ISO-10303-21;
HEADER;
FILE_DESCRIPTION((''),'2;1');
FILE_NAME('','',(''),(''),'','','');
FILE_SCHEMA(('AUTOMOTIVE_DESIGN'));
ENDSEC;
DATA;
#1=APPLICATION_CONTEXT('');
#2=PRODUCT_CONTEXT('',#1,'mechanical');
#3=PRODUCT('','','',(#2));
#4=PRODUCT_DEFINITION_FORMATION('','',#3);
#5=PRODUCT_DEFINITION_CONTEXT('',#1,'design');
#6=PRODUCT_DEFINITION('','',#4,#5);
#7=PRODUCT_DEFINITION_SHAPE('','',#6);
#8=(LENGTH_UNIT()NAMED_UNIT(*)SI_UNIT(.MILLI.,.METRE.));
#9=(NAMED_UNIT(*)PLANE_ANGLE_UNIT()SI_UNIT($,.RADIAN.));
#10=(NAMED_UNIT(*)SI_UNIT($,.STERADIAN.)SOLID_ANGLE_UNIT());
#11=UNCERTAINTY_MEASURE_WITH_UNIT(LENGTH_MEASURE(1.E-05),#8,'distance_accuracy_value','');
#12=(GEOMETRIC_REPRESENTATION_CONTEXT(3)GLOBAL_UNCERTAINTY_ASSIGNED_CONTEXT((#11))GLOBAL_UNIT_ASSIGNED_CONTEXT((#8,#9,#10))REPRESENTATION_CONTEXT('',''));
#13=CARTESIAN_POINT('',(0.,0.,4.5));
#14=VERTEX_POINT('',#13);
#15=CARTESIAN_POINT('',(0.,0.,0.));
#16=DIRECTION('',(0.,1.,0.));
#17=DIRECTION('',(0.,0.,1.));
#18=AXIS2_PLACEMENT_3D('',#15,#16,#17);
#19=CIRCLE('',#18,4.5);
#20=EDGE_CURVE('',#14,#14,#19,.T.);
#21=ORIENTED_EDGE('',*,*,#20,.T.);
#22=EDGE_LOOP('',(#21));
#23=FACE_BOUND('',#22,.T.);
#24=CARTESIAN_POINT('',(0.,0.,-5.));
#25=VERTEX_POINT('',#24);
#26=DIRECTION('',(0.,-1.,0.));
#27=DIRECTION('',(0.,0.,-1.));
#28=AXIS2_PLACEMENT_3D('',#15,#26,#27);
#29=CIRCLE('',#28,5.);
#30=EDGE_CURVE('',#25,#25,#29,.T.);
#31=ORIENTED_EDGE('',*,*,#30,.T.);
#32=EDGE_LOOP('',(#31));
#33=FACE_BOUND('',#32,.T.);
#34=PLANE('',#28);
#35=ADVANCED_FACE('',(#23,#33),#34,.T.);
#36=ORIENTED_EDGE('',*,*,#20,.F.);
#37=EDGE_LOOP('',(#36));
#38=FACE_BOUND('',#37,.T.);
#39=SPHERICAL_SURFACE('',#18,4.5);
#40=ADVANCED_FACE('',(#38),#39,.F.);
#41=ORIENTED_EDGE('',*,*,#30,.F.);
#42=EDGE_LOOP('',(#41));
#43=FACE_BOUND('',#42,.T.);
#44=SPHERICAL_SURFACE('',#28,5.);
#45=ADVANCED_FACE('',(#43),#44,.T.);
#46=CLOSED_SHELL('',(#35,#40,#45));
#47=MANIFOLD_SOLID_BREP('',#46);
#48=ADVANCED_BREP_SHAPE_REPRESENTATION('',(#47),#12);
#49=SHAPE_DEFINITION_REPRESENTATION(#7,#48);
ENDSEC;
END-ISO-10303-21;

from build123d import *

# Parameters (mm, degrees)
REVOLVE2_ANGLE     = 180
CUT_REVOLVE1_ANGLE = 180


with BuildPart() as part:
    # Sketch1 → Revolve2 (revolve)
    with BuildSketch(Plane(origin=(0, 0, 0), x_dir=(1, 0, 0), z_dir=(0, 1, 0))):
        with BuildLine():
            Line((-5, 0), (5, 0))
            ThreePointArc((5, 0), (0, 5), (-5, 0))
        make_face()
    revolve(axis=Axis((-5, 0, 0), (1, 0, 0)), revolution_arc=REVOLVE2_ANGLE)

    # Sketch2 → Cut-Revolve1 (revolve, cut)
    with BuildSketch(Plane.XZ):
        with BuildLine():
            Line((-4.5, 0), (4.5, 0))
            ThreePointArc((4.5, 0), (0, 4.5), (-4.5, 0))
        make_face()
    revolve(axis=Axis((-4.5, 0, 0), (-1, 0, 0)), revolution_arc=CUT_REVOLVE1_ANGLE, mode=Mode.SUBTRACT)


solid = part.part
